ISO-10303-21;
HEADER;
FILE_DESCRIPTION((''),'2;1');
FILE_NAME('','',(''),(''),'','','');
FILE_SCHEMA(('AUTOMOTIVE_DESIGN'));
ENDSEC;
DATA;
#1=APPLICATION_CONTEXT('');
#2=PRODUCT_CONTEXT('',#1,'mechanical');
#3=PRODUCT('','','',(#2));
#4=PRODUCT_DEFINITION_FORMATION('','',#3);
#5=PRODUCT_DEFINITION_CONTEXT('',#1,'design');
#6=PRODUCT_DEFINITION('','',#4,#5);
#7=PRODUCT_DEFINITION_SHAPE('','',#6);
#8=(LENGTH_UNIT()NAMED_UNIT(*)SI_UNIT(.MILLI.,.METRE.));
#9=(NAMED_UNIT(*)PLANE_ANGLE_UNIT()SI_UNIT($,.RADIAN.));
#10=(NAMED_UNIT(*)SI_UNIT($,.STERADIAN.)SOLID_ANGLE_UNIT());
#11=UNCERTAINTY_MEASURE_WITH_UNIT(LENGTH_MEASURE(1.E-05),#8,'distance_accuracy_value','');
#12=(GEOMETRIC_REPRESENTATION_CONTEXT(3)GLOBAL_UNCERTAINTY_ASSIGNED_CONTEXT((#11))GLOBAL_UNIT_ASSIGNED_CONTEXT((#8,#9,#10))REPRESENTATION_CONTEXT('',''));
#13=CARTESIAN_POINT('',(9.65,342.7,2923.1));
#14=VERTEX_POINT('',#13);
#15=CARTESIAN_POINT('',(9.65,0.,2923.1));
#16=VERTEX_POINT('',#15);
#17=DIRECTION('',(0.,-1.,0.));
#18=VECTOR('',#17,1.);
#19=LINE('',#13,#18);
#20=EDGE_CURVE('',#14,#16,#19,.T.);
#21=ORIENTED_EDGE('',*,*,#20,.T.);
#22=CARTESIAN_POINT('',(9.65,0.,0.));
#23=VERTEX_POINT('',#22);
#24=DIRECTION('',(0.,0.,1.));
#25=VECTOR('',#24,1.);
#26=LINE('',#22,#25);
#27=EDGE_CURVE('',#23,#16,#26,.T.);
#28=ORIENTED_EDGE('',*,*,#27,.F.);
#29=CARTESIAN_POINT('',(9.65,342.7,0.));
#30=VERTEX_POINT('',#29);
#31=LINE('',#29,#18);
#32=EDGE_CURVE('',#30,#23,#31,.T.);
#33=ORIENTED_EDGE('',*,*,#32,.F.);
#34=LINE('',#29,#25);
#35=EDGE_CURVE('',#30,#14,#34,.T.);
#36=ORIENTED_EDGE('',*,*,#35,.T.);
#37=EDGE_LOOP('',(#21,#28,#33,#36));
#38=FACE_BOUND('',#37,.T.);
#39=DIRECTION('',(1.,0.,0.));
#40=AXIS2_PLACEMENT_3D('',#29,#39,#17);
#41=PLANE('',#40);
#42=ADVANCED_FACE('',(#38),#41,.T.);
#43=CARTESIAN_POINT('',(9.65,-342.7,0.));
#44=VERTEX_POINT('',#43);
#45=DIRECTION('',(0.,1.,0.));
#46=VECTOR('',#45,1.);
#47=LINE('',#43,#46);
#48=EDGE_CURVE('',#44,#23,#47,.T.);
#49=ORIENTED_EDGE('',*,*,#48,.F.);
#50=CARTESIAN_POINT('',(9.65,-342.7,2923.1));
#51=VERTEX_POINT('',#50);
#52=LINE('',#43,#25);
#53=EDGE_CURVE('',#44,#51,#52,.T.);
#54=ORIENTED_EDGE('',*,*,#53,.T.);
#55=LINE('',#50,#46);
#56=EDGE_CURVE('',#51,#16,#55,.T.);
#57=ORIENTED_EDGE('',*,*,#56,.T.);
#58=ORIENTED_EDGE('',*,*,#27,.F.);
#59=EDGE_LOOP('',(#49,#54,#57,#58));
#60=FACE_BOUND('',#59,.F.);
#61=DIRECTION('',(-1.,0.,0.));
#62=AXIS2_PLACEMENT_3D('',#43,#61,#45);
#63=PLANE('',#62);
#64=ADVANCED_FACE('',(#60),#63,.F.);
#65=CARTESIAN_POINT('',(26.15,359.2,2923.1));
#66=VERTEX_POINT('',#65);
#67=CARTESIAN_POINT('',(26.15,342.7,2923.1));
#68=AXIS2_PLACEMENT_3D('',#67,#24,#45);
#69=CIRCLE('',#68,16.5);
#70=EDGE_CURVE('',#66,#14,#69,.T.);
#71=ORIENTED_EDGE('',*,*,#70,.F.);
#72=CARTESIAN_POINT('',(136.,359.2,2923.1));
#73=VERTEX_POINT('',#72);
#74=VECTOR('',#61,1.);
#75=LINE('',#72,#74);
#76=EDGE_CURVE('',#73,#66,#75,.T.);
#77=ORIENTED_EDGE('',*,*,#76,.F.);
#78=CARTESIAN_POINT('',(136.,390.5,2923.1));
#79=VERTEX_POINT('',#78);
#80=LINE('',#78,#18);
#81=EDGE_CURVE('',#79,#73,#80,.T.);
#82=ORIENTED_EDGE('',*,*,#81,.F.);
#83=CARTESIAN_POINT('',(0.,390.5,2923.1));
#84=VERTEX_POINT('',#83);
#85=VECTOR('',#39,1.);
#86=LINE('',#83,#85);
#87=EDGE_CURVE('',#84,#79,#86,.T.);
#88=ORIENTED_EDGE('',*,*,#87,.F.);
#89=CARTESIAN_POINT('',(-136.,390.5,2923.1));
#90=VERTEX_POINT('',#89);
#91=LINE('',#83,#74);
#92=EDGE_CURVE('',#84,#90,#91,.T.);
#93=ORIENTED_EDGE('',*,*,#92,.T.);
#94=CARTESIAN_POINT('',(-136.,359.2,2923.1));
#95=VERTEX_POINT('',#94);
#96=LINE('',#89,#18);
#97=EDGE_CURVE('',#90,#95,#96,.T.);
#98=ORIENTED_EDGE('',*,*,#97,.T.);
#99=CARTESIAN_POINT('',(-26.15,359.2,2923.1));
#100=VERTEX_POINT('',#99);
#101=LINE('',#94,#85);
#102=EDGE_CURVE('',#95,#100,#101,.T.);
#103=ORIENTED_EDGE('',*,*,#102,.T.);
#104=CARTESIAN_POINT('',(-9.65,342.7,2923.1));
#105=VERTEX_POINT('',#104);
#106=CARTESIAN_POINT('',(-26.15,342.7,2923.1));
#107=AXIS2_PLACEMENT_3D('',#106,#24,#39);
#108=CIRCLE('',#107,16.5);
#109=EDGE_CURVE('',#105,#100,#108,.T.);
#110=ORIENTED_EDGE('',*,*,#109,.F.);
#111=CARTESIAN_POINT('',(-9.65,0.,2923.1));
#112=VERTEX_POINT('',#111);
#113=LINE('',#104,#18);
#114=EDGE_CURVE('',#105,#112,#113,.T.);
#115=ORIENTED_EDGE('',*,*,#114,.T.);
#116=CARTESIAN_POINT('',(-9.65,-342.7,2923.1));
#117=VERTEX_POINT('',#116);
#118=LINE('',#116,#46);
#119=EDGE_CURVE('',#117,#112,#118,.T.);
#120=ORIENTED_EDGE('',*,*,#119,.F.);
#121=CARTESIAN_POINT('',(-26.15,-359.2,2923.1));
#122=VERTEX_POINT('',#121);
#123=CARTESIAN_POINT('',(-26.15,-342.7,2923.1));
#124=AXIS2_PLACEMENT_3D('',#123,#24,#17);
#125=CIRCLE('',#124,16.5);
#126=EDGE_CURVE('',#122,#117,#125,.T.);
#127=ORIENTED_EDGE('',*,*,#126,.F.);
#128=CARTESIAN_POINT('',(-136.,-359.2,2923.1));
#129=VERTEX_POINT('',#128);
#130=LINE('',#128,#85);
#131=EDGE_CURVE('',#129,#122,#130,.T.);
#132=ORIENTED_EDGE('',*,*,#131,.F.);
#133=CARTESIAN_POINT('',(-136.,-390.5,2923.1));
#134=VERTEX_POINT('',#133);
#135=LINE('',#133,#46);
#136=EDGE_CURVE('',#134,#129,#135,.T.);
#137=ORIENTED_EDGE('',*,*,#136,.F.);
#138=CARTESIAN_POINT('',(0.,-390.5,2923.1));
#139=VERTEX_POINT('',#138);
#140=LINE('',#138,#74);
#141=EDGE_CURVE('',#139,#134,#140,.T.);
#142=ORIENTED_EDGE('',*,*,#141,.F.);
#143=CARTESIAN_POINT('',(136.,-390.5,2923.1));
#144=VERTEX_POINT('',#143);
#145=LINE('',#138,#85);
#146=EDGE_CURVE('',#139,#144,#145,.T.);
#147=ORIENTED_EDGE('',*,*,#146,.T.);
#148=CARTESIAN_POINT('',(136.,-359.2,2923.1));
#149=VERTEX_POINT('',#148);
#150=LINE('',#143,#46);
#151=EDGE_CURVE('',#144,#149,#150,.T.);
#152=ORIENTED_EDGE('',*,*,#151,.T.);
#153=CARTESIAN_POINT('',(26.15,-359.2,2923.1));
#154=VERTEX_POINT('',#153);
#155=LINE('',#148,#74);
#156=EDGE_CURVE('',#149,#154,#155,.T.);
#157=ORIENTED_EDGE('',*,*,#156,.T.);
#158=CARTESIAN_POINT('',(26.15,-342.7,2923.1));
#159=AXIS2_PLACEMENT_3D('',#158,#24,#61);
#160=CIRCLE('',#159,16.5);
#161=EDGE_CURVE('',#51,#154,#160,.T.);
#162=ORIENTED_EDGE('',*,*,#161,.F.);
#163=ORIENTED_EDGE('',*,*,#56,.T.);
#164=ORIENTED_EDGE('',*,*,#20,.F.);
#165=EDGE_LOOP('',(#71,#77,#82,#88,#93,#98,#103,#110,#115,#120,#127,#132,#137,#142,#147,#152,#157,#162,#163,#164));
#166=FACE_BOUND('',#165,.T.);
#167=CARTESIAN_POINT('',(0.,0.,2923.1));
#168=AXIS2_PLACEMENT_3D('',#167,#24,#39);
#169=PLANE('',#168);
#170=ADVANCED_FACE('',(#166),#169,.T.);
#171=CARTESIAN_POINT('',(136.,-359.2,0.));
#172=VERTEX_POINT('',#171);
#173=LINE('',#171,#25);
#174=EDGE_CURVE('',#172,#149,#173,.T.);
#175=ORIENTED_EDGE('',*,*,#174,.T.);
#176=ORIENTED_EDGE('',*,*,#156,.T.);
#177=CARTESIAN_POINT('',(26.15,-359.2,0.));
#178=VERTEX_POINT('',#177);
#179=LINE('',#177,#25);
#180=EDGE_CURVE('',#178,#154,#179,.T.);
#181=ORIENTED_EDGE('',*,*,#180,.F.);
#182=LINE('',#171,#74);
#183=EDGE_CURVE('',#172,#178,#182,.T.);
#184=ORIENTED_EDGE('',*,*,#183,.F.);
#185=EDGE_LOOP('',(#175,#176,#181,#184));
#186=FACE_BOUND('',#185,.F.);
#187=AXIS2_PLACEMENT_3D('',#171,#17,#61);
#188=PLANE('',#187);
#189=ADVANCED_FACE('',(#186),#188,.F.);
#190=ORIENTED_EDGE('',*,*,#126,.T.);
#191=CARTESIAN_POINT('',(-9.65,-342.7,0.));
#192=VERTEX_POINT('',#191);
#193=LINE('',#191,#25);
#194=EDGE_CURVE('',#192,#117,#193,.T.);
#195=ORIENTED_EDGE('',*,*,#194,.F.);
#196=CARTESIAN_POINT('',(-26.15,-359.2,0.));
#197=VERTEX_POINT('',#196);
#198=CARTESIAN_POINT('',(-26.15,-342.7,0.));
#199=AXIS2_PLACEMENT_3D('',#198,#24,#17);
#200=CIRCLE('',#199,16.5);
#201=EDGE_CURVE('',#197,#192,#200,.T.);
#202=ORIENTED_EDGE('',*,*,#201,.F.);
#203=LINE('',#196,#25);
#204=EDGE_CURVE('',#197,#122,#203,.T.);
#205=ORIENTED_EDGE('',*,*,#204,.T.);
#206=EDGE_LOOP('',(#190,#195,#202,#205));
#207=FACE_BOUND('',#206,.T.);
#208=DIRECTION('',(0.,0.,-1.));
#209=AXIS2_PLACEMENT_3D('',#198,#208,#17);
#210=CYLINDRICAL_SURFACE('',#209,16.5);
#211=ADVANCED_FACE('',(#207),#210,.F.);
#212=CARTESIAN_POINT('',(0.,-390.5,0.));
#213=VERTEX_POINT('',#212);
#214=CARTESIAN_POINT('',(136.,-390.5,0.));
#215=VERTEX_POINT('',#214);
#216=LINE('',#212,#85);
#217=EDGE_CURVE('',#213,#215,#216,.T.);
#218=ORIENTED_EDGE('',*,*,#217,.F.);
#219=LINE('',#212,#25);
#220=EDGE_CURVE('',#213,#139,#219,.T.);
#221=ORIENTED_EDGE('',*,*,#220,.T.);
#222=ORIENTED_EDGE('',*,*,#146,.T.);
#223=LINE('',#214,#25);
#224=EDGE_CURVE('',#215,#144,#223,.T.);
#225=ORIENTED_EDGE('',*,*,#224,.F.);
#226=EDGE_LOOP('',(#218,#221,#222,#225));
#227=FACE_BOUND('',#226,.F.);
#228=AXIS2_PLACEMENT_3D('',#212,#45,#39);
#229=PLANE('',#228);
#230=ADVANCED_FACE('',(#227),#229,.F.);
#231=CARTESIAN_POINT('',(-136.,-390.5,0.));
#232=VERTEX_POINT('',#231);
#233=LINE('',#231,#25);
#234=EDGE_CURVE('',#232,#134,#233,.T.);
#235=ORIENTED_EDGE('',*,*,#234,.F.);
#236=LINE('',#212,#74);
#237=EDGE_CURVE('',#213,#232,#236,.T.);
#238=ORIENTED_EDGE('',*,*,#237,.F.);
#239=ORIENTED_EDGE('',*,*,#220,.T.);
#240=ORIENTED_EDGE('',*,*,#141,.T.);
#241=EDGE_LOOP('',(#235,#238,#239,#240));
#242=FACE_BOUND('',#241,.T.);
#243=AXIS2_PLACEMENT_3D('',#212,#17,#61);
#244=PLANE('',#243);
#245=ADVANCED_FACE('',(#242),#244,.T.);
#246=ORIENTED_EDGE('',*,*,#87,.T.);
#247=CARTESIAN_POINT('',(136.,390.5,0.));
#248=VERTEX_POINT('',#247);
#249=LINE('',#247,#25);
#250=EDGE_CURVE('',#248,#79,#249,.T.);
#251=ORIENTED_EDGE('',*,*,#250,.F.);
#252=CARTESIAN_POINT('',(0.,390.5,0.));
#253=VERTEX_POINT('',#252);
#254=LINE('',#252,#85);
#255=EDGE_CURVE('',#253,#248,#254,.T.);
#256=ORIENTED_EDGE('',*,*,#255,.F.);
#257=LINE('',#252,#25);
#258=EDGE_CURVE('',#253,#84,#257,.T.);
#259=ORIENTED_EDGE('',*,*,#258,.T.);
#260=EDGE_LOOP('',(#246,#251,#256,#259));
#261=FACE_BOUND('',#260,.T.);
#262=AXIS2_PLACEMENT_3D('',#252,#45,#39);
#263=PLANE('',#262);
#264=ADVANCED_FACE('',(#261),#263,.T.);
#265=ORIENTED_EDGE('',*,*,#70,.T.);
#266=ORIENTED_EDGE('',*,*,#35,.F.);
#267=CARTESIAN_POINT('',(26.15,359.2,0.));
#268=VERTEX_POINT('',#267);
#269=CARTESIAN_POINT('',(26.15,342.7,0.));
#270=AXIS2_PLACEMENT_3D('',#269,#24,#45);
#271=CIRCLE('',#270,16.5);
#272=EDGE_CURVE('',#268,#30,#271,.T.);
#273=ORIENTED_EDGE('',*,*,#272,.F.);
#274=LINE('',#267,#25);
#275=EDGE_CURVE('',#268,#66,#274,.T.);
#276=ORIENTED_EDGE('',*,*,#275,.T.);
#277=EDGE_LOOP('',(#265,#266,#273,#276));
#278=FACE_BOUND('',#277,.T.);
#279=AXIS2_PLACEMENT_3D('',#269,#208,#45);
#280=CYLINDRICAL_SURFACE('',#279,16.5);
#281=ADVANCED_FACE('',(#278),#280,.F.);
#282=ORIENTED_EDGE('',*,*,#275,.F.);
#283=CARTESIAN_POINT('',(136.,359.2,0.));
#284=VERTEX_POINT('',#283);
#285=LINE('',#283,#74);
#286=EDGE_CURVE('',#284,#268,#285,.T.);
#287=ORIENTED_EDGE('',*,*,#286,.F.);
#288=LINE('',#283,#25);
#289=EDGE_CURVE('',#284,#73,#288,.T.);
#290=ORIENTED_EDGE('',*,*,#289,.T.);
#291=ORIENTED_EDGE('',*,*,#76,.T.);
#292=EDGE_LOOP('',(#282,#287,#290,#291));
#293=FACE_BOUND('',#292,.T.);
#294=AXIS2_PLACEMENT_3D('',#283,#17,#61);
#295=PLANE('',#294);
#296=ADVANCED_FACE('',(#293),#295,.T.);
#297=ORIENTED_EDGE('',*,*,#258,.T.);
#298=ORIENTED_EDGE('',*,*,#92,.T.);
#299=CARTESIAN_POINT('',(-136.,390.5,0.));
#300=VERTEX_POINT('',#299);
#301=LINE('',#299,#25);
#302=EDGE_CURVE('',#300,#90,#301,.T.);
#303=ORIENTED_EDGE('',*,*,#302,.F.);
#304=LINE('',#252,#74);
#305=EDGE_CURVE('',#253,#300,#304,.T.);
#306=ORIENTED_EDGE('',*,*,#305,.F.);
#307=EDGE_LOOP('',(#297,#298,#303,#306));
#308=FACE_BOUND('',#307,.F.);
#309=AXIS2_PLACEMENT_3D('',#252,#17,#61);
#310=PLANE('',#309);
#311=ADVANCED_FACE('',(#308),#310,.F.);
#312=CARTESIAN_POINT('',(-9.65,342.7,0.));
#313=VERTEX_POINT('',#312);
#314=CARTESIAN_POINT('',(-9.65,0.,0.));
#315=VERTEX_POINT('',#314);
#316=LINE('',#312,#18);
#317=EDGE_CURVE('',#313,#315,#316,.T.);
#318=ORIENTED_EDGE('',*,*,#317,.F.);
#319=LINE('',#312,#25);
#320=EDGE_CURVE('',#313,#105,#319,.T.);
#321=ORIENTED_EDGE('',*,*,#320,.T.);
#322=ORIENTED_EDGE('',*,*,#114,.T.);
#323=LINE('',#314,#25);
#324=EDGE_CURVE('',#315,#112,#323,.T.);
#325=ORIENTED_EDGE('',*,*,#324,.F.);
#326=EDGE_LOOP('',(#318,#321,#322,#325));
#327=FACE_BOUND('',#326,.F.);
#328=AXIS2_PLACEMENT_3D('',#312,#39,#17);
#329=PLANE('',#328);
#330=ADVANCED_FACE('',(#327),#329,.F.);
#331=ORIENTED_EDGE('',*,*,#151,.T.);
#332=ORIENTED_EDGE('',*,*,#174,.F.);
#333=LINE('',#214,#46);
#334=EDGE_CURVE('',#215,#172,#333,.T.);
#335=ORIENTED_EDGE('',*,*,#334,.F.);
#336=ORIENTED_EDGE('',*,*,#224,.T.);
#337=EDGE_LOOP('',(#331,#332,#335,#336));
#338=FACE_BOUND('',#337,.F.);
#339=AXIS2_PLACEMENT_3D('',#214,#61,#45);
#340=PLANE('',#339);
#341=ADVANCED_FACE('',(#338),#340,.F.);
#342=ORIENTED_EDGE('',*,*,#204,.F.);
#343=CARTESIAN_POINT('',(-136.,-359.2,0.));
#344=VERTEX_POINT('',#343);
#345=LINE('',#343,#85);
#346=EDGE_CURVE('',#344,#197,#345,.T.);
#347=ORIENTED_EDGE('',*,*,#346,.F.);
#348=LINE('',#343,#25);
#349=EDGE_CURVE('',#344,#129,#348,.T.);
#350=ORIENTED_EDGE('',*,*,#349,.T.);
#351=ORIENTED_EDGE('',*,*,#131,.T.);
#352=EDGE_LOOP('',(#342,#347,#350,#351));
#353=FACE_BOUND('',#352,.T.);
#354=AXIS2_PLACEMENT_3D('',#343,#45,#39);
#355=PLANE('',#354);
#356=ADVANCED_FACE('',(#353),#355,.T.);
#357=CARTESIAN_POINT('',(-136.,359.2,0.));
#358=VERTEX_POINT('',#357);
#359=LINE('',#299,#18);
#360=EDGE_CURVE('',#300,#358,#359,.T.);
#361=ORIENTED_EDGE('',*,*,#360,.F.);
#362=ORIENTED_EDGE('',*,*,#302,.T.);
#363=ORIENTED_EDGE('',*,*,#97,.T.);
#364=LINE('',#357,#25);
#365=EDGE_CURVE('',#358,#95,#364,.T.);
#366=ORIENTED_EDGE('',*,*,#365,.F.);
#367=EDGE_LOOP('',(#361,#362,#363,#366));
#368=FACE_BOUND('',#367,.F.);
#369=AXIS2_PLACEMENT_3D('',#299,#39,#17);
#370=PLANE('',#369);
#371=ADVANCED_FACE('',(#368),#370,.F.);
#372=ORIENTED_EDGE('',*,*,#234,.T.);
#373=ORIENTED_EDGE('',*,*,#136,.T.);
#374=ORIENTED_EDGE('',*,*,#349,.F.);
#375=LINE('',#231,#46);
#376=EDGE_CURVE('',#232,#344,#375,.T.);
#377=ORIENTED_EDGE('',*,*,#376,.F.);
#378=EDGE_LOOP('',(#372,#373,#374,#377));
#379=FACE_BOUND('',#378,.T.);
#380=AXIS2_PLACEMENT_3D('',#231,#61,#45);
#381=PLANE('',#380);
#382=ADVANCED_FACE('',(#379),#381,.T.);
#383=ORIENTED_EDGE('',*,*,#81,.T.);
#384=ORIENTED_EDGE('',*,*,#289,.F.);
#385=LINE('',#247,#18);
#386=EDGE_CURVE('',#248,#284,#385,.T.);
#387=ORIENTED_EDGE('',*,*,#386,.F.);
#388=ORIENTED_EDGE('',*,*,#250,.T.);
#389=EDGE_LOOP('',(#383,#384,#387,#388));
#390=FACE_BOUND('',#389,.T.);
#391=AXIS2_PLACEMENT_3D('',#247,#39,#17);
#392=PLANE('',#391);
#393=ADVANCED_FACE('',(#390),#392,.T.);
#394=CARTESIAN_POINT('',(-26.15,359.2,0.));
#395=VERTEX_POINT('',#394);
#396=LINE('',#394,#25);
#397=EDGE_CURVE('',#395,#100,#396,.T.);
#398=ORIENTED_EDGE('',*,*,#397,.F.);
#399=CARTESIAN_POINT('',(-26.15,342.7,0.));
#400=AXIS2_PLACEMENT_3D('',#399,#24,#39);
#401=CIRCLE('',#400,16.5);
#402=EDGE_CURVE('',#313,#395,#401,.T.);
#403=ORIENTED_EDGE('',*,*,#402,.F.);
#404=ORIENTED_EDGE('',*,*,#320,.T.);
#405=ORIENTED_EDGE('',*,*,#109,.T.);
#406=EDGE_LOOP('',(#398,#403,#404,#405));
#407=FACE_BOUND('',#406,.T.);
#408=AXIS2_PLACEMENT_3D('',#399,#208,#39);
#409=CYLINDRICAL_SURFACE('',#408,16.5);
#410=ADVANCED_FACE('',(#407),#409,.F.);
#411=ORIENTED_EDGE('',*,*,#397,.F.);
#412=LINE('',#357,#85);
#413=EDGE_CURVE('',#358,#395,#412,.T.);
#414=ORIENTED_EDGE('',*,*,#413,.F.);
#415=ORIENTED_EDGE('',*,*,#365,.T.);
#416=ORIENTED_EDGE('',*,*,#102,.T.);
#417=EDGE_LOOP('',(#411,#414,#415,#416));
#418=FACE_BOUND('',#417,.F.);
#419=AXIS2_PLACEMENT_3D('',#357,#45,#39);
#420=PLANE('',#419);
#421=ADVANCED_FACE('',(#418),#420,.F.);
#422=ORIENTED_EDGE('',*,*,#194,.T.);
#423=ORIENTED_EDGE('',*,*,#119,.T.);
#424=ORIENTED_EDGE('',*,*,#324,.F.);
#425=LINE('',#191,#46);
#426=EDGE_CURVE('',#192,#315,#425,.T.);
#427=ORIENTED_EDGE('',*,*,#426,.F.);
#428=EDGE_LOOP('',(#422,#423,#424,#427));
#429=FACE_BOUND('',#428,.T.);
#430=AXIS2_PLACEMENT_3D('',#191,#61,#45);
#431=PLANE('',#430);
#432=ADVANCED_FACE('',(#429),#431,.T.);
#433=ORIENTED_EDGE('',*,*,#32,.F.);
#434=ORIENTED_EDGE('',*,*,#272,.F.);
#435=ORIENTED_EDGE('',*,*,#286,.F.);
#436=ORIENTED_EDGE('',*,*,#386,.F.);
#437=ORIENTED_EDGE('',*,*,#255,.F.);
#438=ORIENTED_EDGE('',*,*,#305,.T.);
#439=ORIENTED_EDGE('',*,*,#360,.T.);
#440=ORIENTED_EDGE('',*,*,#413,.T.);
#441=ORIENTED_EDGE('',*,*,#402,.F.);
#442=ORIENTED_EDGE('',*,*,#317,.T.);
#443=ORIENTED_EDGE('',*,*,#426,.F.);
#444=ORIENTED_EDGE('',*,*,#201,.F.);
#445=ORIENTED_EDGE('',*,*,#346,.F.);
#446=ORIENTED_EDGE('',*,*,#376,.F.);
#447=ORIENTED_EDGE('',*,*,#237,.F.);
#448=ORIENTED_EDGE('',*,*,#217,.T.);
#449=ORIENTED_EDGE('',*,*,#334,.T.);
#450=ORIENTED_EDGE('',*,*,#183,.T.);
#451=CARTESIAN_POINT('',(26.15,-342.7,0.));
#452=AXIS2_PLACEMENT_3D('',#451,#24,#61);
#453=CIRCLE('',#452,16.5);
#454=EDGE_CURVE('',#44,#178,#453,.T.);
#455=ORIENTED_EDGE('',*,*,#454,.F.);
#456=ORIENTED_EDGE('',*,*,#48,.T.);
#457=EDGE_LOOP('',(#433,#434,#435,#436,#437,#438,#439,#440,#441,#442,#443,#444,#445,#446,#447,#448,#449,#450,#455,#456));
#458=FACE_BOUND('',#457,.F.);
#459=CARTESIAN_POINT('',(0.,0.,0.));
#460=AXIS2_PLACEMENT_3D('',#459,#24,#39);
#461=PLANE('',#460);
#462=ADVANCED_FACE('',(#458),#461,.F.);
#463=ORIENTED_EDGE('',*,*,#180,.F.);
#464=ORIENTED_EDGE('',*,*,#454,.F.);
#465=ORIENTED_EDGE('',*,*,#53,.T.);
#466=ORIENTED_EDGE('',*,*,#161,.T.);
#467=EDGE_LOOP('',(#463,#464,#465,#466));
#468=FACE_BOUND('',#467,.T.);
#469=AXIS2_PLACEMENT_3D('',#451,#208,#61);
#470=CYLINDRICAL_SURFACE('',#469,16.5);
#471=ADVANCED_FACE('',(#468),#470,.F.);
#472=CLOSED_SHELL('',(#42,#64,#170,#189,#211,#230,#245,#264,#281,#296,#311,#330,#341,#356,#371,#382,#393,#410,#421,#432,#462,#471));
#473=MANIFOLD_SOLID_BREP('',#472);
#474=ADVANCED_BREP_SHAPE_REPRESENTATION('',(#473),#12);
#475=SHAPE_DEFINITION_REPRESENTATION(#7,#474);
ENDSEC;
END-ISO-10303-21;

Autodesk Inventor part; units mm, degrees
ref_plane "YZ Plane" through (0, 0, 0) normal (1, 0, 0) x (0, 1, 0)
ref_plane "Start plane" through (0, 0, 0) normal (0, 0, 1) x (1, 0, 0)
ref_plane "End plane" through (0, 0, 2923.1) normal (0, 0, 1) x (1, 0, 0)
sketch "Sketch" plane through (0, 0, 0) normal (0, 0, 1) x (1, 0, 0)
  line L0 (-136, -390.5) -> (-136, -359.2)
  line L1 (-136, -359.2) -> (-26.15, -359.2)
  line L2 (-9.65, -342.7) -> (-9.65, 0)
  line L3 (-9.65, 0) -> (0, 0) construction
  line L4 (0, 0) -> (0, -390.5) construction
  line L5 (0, -390.5) -> (-136, -390.5)
  line L6 (-60, 0) -> (80, 0) construction
  line L7 (0, -60) -> (0, 80) construction
  line L8 (136, -390.5) -> (136, -359.2)
  line L9 (136, -359.2) -> (26.15, -359.2)
  line L10 (9.65, -342.7) -> (9.65, 0)
  line L11 (9.65, 0) -> (0, 0) construction
  line L12 (0, -390.5) -> (136, -390.5)
  line L13 (-136, 390.5) -> (-136, 359.2)
  line L14 (-136, 359.2) -> (-26.15, 359.2)
  line L15 (-9.65, 342.7) -> (-9.65, 0)
  line L16 (0, 390.5) -> (-136, 390.5)
  line L17 (136, 390.5) -> (136, 359.2)
  line L18 (136, 359.2) -> (26.15, 359.2)
  line L19 (0, 390.5) -> (136, 390.5)
  line L20 (9.65, 342.7) -> (9.65, 0)
  arc A0 (-9.65, 342.7) -> (-26.15, 359.2) centre (-26.15, 342.7) ccw
  arc A1 (26.15, 359.2) -> (9.65, 342.7) centre (26.15, 342.7) ccw
  arc A2 (9.65, -342.7) -> (26.15, -359.2) centre (26.15, -342.7) ccw
  arc A3 (-26.15, -359.2) -> (-9.65, -342.7) centre (-26.15, -342.7) ccw
  line L21 (0, 108) -> (0, -88) construction
  line L22 (-88, 0) -> (108, 0) construction
  point P0 (-9.65, -359.2)
  point P1 (9.65, -359.2)
  point P2 (-9.65, 359.2)
  point P3 (9.65, 359.2)
  dimension "d1" = 390.5
  dimension "d2" = 31.3
  dimension "d3" = 136
  dimension "d4" = 9.65
  dimension "d10" = 16.5
extrude "Body" add sketch "Sketch" along normal up to surface (2923.1 mm away) from surface at 0
sketch "Sketch4" plane through (0, 0, 0) normal (0, 0, 1) x (1, 0, 0)
  line L0 (0, 0) -> (10, 0)
ref_plane "Work Plane3" through (0, 0, 0) normal (0, -1, 0) x (1, 0, 0)
sketch "Sketch5" plane through (0, 0, 0) normal (0, -1, 0) x (1, 0, 0)
  line L0 (-2, 0) -> (12, 0) projected
  line L1 (-2, 2923.1) -> (12, 2923.1) projected
  dimension "d14" = 2923.1
equation "\"d1\" = 0.5 * G_H"
equation "\"d2\" = G_T1"
equation "\"d3\" = 0.5 * G_W"
equation "\"d4\" = 0.5 * G_T"
equation "\"d10\" = G_IR"
equation "\"d5\" = G_L"
equation "\"G_W\" = 272"
equation "\"G_H\" = 781"
equation "\"G_T\" = 19.3"
equation "\"G_T1\" = 31.3"
equation "\"G_IR\" = 16.5"
equation "\"G_L\" = d14"
equation "\"G_OFFSET_START\" = 0"
equation "\"G_OFFSET_END\" = 0"
equation "\"d12\" = G_OFFSET_END + B_L"
equation "\"B_L\" = 2923.1"
properties part number "AS 3679-1990 - 760 UB - 244 - 2923.1" material "Steel, Mild"
